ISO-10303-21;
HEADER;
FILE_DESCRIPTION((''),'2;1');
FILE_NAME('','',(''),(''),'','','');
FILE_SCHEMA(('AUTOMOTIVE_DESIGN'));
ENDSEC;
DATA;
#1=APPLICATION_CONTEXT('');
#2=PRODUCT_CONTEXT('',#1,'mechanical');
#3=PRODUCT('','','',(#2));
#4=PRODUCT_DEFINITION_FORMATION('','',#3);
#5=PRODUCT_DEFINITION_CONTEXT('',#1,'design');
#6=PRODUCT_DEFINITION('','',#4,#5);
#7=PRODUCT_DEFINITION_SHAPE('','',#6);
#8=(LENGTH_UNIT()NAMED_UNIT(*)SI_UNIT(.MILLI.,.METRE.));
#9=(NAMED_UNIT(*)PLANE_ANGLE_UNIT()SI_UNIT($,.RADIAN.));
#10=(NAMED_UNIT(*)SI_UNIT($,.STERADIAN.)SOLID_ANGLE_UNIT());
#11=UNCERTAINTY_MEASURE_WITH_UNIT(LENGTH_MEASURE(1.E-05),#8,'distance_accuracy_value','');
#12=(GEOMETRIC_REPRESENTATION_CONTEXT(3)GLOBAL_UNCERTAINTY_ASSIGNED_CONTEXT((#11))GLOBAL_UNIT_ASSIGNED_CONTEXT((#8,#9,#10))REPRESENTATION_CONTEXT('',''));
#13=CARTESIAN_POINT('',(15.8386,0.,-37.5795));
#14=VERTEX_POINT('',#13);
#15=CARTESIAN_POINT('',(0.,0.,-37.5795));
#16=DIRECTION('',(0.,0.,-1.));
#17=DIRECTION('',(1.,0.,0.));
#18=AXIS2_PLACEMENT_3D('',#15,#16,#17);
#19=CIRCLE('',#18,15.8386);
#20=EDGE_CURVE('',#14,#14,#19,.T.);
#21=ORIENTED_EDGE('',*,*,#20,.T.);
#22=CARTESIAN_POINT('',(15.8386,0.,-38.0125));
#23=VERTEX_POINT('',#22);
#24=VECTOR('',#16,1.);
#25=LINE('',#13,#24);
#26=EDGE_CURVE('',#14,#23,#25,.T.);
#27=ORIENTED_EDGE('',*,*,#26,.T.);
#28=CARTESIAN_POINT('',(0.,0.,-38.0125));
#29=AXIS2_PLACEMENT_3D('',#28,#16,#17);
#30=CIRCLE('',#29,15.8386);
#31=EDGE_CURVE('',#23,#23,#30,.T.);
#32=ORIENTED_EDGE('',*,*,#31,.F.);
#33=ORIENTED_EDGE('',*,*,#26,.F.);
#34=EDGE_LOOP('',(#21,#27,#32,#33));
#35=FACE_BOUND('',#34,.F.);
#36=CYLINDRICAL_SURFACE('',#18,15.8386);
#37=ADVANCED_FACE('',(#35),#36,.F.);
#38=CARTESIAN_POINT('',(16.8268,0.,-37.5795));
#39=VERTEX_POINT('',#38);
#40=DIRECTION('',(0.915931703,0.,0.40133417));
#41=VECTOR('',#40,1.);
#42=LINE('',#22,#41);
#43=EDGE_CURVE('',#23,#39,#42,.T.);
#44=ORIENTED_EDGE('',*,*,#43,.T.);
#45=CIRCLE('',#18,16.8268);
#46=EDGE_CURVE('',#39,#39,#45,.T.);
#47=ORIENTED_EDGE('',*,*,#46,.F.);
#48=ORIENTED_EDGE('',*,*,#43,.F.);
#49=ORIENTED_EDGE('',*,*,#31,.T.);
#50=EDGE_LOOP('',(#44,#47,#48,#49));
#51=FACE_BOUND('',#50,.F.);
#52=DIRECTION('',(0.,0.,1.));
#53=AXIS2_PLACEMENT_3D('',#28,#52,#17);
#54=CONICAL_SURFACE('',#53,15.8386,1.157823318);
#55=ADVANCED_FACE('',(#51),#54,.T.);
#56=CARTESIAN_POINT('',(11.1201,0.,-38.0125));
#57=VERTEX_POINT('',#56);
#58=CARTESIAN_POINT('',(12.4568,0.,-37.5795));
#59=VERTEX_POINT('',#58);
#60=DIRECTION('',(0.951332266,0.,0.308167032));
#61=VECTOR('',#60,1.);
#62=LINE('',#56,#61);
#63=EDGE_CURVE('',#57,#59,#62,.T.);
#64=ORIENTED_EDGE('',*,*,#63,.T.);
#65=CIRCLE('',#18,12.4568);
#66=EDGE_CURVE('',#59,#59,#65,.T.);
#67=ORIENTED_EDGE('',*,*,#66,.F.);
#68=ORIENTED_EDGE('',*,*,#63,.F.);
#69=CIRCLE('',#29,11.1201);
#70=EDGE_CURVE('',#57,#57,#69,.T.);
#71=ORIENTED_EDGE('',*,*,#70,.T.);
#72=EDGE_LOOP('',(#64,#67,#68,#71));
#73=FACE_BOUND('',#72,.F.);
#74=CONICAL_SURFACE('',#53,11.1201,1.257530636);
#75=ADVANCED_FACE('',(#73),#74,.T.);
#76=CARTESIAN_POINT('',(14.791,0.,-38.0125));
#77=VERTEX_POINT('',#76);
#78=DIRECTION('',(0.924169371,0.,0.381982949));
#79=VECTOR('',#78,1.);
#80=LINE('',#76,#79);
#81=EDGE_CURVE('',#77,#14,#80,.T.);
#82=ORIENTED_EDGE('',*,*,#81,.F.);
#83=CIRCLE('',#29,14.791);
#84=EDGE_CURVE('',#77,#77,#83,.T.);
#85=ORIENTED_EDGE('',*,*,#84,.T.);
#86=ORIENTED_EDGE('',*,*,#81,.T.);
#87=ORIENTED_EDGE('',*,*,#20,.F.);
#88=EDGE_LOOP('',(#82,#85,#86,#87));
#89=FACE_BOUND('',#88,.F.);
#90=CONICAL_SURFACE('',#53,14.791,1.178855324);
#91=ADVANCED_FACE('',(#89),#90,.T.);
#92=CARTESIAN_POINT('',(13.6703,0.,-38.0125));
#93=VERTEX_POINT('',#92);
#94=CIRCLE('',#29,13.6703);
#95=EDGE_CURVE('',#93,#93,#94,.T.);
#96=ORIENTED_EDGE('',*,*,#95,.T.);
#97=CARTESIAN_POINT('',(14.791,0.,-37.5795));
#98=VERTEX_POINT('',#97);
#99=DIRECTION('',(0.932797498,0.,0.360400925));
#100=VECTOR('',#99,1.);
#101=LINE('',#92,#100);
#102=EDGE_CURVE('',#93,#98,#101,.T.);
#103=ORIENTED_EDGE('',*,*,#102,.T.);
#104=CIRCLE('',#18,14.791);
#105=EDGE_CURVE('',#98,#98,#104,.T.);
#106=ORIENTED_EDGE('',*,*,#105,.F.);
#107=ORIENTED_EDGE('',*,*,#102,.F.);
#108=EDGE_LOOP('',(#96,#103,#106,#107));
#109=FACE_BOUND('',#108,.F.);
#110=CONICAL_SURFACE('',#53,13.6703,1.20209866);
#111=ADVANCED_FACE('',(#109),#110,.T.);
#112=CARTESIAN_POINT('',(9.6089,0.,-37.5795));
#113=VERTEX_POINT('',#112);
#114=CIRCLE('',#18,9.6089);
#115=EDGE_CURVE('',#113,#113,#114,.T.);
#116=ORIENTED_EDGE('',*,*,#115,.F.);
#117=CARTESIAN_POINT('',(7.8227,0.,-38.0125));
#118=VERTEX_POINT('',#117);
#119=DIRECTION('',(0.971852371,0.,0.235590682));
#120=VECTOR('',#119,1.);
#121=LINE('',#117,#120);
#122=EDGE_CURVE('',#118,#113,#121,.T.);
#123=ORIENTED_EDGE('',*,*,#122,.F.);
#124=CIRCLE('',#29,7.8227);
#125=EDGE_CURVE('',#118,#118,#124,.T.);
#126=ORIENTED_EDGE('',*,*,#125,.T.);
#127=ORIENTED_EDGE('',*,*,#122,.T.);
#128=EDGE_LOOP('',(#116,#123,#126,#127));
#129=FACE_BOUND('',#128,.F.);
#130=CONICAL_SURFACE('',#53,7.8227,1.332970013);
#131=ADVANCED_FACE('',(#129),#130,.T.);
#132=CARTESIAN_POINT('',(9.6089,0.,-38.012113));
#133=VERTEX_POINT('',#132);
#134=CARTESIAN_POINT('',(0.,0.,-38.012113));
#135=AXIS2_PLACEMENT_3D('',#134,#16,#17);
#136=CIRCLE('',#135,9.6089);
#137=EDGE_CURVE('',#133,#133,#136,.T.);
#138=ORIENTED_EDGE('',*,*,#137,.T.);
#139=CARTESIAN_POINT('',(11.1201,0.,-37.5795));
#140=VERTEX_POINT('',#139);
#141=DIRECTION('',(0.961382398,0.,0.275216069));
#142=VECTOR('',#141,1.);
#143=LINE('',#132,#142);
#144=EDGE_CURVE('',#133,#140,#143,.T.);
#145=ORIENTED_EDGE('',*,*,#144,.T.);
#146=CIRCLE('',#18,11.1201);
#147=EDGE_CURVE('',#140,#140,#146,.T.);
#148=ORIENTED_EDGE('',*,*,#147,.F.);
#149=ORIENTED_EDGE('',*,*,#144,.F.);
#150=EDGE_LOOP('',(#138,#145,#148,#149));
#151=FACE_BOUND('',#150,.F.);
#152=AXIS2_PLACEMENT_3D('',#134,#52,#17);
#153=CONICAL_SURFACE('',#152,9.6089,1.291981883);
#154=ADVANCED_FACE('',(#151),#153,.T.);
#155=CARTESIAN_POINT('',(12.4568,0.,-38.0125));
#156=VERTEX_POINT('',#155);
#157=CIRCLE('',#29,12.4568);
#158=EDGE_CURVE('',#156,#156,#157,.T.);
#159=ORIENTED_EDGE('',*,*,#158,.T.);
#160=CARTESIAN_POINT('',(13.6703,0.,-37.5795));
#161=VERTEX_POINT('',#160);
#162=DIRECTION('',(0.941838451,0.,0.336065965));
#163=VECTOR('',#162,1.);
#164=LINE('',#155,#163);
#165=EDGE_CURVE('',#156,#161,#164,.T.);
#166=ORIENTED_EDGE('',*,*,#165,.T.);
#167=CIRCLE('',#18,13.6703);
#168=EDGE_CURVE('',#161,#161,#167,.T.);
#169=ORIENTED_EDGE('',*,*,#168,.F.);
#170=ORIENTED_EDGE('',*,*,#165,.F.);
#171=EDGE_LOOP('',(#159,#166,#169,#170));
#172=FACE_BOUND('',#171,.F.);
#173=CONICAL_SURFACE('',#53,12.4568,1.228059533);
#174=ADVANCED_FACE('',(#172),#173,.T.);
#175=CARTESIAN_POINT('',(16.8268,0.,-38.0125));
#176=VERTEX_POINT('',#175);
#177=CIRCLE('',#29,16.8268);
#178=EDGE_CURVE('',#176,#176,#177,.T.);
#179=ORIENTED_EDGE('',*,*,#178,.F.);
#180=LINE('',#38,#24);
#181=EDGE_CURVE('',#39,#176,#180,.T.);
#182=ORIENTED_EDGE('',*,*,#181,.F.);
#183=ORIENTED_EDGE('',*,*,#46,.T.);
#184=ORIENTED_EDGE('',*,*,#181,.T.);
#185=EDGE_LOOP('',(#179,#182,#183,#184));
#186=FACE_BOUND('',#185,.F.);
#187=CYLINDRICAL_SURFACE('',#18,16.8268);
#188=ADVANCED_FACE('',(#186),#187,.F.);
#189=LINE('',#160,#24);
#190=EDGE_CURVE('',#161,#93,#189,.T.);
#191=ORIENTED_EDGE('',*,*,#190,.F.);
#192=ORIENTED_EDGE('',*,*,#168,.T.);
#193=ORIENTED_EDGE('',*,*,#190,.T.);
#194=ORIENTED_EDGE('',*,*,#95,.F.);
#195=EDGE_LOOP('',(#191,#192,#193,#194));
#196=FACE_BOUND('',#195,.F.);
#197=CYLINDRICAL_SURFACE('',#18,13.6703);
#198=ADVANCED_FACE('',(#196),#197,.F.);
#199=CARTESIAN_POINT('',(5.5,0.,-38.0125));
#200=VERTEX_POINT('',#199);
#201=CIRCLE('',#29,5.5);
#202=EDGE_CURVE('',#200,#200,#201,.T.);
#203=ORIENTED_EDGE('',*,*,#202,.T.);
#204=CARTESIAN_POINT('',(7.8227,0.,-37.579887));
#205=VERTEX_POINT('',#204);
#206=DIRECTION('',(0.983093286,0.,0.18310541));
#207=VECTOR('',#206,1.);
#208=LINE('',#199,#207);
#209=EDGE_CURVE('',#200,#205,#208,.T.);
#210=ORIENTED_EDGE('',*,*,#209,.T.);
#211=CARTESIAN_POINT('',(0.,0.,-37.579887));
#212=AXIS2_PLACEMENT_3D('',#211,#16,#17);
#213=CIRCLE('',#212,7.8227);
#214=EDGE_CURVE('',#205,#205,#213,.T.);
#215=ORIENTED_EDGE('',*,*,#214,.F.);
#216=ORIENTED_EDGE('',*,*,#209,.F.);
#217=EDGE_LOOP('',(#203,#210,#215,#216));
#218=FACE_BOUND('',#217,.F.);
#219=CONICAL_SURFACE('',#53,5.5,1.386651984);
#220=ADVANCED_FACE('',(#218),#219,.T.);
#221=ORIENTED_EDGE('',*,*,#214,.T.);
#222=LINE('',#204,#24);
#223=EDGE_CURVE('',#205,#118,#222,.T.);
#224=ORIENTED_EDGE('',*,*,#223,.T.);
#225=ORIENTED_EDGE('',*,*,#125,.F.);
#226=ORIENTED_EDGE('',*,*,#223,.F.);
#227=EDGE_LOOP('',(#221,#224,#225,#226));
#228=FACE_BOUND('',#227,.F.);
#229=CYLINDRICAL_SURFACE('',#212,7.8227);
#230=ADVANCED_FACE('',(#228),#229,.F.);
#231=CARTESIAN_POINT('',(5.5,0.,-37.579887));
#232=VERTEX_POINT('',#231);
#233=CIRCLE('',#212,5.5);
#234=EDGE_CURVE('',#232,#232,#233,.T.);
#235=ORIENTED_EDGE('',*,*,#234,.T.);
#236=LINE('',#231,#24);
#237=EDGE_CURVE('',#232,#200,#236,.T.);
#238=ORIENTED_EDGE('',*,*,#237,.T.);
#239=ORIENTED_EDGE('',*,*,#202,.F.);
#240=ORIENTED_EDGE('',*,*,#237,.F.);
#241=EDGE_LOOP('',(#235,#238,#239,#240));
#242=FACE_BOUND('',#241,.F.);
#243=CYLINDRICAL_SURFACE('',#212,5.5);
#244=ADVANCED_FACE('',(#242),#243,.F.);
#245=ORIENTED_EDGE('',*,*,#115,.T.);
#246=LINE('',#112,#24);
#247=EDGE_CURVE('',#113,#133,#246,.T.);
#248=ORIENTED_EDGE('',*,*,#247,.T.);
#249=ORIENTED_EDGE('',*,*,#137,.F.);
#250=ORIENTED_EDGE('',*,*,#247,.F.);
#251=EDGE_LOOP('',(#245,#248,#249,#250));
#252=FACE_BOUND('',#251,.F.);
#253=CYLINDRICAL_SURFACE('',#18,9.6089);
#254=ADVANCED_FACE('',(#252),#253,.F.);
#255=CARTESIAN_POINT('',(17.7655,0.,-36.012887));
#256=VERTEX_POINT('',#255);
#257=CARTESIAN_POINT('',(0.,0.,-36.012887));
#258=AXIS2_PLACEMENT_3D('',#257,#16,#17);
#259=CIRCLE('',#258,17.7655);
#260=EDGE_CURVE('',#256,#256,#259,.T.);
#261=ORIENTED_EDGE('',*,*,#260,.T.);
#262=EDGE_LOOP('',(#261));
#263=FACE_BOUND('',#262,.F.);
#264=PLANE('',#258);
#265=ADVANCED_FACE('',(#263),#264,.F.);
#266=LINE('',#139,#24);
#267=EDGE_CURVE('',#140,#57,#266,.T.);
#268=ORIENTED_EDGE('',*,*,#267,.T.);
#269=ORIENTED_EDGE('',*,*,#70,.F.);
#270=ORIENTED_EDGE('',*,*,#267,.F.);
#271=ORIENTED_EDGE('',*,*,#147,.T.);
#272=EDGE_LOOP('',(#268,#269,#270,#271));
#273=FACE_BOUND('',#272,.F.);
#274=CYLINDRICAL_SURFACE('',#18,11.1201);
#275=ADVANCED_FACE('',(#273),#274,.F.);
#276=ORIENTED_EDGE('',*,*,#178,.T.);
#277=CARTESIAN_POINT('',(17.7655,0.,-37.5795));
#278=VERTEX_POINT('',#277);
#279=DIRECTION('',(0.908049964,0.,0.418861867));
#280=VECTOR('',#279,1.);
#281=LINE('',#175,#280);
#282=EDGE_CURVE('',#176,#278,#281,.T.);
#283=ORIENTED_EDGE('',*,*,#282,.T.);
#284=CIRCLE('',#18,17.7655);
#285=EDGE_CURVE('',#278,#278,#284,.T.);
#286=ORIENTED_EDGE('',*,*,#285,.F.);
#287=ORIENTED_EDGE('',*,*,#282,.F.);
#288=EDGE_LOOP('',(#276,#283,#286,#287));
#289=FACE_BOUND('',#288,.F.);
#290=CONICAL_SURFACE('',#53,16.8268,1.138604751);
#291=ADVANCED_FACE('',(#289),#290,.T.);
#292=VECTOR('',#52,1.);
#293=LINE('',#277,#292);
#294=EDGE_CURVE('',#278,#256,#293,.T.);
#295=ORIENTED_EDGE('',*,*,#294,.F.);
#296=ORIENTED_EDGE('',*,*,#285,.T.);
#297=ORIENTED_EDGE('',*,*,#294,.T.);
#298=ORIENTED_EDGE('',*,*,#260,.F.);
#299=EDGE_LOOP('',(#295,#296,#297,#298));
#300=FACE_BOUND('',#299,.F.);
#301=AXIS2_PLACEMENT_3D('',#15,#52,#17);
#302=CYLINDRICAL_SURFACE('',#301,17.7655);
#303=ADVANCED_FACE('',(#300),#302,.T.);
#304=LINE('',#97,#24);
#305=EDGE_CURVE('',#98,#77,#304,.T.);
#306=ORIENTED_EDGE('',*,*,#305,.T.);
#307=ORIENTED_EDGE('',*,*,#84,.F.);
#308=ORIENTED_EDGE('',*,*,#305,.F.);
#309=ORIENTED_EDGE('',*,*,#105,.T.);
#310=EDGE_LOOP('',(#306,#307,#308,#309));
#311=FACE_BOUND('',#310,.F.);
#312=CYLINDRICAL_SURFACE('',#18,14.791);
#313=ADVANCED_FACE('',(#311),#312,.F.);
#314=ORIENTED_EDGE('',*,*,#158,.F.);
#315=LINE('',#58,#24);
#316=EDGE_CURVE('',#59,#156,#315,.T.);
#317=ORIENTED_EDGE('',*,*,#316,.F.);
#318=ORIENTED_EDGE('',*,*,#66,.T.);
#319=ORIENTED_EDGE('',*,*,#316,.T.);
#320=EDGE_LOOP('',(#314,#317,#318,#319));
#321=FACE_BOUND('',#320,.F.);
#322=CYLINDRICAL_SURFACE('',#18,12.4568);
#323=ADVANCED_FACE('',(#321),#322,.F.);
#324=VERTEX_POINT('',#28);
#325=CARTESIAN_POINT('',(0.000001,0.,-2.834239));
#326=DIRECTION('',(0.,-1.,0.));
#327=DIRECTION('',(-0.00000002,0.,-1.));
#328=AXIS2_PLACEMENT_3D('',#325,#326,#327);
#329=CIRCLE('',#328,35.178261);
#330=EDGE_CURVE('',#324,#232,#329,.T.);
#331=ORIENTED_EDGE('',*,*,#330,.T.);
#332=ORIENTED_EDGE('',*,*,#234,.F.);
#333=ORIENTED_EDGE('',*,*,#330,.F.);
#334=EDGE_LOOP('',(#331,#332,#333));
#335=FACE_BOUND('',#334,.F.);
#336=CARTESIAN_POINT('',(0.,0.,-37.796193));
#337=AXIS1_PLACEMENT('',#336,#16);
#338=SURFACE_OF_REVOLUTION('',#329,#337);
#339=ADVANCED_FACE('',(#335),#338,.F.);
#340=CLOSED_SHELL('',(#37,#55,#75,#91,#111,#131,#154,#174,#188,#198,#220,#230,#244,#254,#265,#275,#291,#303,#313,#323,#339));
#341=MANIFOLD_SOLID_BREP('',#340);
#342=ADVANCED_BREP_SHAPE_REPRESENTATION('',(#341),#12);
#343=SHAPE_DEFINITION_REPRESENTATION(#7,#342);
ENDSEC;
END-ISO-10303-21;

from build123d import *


with BuildPart() as f1:
    # F0 (on Front) → F1 (revolve)
    with BuildSketch(Plane.XZ):
        with BuildLine():
            ThreePointArc((0, -38.0125), (2.758494, -37.90418), (5.5, -37.579887))
            Line((5.5, -37.579887), (0, -37.579887))
            Line((0, -37.579887), (0, -38.0125))
        make_face()
        Polygon((7.8227, -37.579887), (5.5, -37.579887), (5.5, -38.0125), align=None)
        Polygon((9.6089, -37.5795), (7.8227, -37.579887), (7.8227, -38.0125), align=None)
        Polygon((11.1201, -37.5795), (9.6089, -37.5795), (9.6089, -38.012113), align=None)
        Polygon((12.4568, -37.5795), (11.1201, -37.5795), (11.1201, -38.0125), align=None)
        Polygon((13.6703, -37.5795), (12.4568, -37.5795), (12.4568, -38.0125), align=None)
        Polygon((14.791, -37.5795), (13.6703, -37.5795), (13.6703, -38.0125), align=None)
        Polygon((14.791, -38.0125), (15.8386, -37.5795), (14.791, -37.5795), align=None)
        Polygon((15.8386, -38.0125), (16.8268, -37.5795), (15.8386, -37.5795), align=None)
        Polygon((16.8268, -38.0125), (17.7655, -37.5795), (16.8268, -37.5795), align=None)
        Polygon((0, -37.579887), (5.5, -37.579887), (7.8227, -37.579887), (9.6089, -37.5795), (11.1201, -37.5795), (12.4568, -37.5795), (13.6703, -37.5795), (14.791, -37.5795), (15.8386, -37.5795), (16.8268, -37.5795), (17.7655, -37.5795), (17.7655, -36.012887), (0, -36.012887), align=None)
    revolve(axis=Axis((0, 0, -37.796193), (0, 0, -1)))


solid = f1.part
